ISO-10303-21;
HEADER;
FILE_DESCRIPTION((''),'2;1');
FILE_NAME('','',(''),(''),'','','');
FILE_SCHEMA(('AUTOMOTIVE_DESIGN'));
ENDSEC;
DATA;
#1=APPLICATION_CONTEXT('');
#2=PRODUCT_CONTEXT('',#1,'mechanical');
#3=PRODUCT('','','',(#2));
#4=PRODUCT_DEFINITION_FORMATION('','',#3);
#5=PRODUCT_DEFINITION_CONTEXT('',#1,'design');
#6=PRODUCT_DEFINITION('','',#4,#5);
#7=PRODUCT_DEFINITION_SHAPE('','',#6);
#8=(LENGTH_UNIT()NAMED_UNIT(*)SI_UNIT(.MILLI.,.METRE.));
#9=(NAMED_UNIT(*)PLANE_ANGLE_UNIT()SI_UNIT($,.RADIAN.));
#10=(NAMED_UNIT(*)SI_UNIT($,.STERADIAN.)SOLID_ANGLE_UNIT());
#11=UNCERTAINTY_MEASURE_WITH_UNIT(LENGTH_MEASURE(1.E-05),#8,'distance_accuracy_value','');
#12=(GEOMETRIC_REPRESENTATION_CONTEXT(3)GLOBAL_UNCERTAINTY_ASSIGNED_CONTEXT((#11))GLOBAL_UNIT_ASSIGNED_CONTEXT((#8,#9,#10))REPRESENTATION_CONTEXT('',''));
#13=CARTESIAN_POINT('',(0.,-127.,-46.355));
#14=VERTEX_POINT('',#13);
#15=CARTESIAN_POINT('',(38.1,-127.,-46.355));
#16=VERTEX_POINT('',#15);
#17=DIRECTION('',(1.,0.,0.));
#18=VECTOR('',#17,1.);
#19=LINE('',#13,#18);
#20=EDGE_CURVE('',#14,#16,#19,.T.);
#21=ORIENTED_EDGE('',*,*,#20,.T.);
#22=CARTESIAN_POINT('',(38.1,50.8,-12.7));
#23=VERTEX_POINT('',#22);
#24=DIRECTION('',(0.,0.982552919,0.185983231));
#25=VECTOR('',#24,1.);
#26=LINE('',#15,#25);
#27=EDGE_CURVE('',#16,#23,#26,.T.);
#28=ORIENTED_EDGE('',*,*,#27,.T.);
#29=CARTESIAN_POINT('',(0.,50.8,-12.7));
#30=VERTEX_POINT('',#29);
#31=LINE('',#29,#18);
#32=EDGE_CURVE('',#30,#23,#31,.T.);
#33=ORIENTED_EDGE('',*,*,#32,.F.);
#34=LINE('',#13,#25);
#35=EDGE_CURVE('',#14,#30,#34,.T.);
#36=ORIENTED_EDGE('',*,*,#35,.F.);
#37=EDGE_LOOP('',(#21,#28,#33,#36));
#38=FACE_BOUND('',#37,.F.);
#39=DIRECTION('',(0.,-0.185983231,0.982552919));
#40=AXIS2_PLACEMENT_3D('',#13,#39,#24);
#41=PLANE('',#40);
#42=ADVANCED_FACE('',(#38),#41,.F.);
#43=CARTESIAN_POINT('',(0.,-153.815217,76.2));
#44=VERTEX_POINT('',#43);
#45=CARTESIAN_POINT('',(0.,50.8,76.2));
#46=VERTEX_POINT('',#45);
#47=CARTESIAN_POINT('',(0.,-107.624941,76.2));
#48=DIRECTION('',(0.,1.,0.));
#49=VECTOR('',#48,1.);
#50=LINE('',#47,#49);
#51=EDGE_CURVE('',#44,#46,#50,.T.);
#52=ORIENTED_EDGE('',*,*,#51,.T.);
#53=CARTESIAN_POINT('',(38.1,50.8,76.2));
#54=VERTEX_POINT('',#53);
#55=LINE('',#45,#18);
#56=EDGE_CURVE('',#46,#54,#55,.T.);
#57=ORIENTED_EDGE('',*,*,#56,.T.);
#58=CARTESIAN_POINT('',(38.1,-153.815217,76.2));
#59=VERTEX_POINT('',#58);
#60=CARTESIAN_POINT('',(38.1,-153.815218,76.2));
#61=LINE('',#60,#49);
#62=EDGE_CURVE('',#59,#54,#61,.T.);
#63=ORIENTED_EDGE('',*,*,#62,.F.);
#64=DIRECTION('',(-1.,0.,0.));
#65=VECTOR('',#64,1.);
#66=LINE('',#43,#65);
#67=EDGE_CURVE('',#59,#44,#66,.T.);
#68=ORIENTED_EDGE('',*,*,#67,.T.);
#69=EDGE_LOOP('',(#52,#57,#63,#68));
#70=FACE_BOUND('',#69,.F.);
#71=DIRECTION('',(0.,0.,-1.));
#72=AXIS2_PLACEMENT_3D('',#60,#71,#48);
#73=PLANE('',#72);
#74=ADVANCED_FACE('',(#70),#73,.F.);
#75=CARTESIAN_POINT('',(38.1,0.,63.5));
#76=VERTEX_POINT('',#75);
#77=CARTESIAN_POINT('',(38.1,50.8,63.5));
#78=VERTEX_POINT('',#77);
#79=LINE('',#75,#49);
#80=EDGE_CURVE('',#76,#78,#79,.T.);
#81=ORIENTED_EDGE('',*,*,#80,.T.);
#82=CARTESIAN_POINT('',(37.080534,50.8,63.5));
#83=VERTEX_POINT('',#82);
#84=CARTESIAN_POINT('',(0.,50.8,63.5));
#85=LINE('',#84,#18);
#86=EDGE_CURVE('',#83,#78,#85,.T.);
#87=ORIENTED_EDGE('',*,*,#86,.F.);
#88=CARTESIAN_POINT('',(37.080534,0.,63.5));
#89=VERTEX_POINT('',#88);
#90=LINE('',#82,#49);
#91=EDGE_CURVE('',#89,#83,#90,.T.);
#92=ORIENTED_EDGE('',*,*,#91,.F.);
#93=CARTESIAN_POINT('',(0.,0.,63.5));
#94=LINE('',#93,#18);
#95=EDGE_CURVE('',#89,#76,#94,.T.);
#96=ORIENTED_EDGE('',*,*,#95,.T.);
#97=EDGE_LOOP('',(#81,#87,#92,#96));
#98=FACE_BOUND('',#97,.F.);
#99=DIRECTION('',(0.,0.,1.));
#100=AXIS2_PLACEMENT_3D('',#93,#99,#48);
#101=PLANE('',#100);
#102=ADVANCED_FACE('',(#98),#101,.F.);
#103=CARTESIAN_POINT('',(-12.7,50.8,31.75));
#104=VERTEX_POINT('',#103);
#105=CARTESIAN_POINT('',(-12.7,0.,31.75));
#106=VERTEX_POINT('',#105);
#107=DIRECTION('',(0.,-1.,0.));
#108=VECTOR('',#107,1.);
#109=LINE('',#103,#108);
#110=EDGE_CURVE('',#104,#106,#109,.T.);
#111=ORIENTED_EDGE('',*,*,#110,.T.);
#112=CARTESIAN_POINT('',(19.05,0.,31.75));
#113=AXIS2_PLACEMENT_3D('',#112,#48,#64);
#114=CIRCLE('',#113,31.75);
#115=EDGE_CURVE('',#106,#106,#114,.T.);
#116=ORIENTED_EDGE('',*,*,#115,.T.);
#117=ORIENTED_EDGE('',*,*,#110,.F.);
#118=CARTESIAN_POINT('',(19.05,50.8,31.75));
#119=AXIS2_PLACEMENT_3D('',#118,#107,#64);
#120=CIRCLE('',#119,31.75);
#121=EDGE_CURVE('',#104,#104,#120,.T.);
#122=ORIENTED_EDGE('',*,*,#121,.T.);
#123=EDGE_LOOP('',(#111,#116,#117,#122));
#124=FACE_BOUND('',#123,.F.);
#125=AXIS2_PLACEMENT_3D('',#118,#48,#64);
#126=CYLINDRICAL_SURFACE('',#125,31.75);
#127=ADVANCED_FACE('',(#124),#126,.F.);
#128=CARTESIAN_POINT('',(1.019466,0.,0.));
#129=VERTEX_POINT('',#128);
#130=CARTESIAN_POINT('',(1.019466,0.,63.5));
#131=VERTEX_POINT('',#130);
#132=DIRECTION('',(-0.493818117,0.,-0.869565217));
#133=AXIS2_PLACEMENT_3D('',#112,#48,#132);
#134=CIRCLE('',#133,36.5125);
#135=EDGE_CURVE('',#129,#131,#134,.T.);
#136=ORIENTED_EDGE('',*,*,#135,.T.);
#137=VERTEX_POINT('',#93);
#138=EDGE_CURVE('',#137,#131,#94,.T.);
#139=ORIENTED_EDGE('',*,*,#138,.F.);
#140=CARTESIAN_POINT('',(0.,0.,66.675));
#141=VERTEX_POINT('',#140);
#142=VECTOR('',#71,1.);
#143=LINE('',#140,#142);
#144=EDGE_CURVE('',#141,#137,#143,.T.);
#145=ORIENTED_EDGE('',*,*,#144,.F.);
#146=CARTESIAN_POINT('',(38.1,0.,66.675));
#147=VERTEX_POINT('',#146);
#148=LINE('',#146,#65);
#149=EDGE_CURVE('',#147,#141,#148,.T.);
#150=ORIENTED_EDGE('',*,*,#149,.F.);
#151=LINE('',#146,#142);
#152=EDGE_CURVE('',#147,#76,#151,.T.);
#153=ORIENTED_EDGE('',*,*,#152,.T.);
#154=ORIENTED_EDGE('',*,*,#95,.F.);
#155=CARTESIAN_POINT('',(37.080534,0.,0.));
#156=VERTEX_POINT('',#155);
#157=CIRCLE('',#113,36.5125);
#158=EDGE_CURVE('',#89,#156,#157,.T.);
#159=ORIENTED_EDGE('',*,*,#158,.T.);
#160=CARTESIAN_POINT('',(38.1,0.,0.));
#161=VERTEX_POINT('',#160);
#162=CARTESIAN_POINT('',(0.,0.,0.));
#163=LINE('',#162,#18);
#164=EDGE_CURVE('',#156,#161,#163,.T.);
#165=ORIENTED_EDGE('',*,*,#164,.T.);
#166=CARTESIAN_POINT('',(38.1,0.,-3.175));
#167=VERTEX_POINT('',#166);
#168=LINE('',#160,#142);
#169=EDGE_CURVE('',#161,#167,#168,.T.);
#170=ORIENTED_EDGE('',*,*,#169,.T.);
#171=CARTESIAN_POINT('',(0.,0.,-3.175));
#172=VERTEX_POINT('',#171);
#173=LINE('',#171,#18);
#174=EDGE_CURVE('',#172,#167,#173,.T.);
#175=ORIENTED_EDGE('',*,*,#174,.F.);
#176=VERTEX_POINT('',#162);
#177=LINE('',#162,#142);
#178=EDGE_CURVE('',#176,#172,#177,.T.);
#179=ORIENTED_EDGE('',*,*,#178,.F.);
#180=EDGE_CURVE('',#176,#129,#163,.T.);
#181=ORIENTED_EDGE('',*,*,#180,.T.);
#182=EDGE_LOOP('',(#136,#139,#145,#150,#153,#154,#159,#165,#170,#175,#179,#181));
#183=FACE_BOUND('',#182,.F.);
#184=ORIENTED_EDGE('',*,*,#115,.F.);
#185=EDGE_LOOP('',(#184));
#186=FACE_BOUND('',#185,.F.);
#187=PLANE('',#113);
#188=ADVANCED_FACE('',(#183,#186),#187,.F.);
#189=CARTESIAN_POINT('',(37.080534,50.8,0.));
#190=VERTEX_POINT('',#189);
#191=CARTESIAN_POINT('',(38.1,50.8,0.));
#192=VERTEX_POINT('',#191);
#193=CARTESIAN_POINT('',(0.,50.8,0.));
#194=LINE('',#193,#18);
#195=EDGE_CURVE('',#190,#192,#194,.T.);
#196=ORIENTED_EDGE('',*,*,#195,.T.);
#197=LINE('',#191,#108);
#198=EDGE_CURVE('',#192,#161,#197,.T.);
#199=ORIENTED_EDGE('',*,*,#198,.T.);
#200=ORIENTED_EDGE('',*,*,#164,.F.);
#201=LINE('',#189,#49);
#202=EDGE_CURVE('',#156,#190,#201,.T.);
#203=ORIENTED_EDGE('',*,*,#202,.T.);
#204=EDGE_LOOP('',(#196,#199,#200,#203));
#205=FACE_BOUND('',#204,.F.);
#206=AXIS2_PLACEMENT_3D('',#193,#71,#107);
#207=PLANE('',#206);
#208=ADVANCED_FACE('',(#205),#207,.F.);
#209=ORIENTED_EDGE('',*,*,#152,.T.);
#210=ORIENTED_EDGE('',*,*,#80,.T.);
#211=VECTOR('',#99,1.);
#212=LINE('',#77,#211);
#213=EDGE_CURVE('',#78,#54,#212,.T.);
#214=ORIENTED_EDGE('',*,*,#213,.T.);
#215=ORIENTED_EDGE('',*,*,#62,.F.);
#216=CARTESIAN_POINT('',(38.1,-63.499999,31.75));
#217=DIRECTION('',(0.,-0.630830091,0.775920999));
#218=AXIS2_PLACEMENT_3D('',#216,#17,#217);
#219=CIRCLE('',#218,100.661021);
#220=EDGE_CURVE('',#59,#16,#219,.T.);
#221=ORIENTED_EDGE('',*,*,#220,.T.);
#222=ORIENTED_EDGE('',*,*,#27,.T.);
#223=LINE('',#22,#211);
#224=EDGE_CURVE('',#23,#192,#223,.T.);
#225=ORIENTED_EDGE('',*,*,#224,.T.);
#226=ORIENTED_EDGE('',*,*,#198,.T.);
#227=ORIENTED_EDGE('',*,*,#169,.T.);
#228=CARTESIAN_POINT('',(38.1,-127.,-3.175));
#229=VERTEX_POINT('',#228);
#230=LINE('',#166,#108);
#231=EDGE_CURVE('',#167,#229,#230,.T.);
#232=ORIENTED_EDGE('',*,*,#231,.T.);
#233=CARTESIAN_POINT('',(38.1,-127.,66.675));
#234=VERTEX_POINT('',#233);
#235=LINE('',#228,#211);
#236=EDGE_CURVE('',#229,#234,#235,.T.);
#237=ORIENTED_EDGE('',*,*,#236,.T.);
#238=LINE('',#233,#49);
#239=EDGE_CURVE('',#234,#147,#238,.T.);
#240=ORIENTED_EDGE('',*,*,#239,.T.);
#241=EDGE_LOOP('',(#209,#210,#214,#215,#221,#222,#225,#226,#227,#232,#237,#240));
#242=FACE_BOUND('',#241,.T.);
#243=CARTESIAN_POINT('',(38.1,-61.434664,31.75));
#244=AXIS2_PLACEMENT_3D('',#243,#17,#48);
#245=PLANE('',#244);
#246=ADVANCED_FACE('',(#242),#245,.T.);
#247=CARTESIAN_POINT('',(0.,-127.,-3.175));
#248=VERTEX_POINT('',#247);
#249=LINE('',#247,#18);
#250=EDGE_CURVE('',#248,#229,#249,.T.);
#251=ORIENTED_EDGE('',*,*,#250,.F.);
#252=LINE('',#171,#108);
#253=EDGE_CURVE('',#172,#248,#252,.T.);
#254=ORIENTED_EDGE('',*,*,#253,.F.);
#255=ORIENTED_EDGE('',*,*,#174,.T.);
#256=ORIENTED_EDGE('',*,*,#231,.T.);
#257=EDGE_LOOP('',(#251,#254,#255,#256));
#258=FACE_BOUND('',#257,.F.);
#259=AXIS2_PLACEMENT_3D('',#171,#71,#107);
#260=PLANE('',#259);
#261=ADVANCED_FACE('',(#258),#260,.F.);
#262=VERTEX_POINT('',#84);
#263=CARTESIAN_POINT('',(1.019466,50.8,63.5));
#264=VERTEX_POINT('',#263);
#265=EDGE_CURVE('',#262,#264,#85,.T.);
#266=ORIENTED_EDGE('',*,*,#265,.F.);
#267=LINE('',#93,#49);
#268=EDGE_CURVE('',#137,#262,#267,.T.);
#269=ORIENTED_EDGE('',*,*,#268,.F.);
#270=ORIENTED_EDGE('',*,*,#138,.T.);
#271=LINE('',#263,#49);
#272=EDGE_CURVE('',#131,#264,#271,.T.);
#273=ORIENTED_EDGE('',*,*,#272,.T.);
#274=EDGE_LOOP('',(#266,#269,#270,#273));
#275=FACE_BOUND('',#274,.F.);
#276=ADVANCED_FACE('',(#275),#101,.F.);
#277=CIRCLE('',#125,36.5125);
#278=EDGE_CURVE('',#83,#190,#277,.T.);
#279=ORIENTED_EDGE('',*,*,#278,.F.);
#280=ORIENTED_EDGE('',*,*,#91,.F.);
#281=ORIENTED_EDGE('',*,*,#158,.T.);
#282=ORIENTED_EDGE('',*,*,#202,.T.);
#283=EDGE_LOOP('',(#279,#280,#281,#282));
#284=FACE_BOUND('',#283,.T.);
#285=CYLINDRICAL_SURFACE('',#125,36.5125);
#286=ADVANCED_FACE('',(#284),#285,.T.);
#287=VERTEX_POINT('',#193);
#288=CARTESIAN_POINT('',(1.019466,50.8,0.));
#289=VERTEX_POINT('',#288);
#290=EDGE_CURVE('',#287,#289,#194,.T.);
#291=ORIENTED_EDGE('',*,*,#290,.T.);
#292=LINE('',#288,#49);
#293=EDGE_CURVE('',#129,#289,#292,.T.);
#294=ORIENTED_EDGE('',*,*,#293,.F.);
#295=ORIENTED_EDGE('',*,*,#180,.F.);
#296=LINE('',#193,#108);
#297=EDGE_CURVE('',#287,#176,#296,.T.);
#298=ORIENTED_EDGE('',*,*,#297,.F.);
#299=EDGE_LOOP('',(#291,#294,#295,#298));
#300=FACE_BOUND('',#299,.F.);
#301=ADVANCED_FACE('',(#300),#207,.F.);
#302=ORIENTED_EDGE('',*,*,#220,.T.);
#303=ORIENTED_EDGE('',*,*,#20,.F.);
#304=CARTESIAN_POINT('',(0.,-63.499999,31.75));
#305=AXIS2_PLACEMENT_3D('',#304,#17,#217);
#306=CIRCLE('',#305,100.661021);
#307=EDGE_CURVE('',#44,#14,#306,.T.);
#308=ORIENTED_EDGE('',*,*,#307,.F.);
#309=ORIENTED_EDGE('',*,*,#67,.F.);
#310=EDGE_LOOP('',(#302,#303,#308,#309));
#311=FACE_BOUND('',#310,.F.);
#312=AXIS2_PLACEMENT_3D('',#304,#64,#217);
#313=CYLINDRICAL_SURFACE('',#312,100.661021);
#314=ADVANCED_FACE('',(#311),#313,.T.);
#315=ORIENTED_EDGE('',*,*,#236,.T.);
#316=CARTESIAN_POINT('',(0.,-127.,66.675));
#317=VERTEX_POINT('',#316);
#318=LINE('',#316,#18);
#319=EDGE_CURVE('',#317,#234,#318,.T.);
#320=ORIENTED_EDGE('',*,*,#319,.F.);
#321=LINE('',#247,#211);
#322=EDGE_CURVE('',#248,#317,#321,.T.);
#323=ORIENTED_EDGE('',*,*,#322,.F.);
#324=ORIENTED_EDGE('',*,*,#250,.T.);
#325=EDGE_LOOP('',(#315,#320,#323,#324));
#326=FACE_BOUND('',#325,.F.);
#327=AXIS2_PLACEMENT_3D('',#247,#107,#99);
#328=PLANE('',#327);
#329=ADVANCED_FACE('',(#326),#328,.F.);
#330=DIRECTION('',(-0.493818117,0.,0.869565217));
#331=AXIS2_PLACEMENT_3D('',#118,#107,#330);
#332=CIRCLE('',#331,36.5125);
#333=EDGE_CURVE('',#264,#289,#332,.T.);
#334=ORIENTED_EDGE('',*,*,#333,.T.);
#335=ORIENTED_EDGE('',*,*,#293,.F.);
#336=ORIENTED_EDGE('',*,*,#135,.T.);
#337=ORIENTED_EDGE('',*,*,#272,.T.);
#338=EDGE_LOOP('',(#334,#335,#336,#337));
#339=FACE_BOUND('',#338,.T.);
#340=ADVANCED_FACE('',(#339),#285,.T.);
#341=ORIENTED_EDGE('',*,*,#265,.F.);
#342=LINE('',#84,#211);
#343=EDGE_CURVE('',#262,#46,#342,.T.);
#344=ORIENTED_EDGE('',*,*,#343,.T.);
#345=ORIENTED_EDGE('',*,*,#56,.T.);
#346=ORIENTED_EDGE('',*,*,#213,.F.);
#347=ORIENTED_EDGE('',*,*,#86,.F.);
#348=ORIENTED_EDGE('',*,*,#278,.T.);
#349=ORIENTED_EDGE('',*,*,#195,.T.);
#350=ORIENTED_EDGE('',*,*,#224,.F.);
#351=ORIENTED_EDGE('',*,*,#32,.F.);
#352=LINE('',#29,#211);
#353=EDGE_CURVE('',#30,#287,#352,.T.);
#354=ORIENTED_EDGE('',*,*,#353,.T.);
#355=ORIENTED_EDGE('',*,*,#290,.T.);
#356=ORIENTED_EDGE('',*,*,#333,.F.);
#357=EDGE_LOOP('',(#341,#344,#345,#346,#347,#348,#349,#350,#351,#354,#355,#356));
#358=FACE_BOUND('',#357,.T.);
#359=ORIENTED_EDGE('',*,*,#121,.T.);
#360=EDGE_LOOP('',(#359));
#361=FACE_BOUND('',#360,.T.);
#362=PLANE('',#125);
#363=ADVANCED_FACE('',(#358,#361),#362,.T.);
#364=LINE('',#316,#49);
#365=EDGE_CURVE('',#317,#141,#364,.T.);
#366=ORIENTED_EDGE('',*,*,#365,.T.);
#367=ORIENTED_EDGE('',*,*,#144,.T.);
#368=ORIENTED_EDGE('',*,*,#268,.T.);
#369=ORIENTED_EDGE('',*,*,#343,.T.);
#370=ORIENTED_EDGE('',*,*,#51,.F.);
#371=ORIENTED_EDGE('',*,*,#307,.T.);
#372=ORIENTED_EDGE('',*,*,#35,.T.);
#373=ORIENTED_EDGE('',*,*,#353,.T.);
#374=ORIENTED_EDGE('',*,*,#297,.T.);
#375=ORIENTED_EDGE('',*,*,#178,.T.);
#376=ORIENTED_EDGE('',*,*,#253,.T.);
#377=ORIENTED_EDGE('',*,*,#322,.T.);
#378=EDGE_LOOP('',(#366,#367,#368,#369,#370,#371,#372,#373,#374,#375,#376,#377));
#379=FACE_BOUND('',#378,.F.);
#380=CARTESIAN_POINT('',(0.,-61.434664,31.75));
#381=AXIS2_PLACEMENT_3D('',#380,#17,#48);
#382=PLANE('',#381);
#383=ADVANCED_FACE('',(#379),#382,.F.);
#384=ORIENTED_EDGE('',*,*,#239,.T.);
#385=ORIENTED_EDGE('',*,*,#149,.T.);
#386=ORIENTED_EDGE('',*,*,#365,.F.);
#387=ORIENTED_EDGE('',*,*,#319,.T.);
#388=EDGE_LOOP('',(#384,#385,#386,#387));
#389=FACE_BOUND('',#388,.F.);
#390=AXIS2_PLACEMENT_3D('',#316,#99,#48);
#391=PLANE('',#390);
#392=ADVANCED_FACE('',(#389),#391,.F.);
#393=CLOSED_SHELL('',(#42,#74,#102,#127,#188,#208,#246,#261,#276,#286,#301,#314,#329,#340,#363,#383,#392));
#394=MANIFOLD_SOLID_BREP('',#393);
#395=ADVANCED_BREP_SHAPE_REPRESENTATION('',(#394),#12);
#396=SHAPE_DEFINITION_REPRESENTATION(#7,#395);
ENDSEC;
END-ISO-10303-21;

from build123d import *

# Parameters (mm, degrees)
F1_DEPTH = 38.1
F2_R     = 36.5125
F2_R_2   = 31.75
F3_DEPTH = 50.8
F5_DEPTH = 127


with BuildPart() as f1:
    # F0 (on Right) → F1 (new body)
    with BuildSketch(Plane.YZ):
        with BuildLine():
            Line((50.8, 0), (0, 0))
            Line((0, 0), (0, -3.175))
            Line((0, -3.175), (-127, -3.175))
            Line((-127, -3.175), (-127, 66.675))
            Line((-127, 66.675), (0, 66.675))
            Line((0, 66.675), (0, 63.5))
            Line((0, 63.5), (50.8, 63.5))
            Line((50.8, 63.5), (50.8, 76.2))
            Line((50.8, 76.2), (-127, 109.855))
            ThreePointArc((-127, 109.855), (-164.16102, 31.75), (-127, -46.355))
            Line((-127, -46.355), (50.8, -12.7))
            Line((50.8, -12.7), (50.8, 0))
        make_face()
    extrude(amount=F1_DEPTH)

    # F2 (on face) → F3 (join)
    with BuildSketch(Plane(origin=(0, 50.8, 0), x_dir=(-1, 0, 0), z_dir=(0, 1, 0))):
        with Locations((-19.05, 31.75)):
            Circle(F2_R)
        with Locations((-19.05, 31.75)):
            Circle(F2_R_2, mode=Mode.SUBTRACT)
    extrude(amount=-F3_DEPTH)

    # F4 (on face) → F5 (cut)
    with BuildSketch(Plane.YZ.offset(38.1)):
        with BuildLine():
            Line((-153.815218, 76.2), (50.8, 76.2))
            Line((50.8, 76.2), (-127, 109.855))
            ThreePointArc((-127, 109.855), (-142.227029, 94.477155), (-153.815218, 76.2))
        make_face()
    extrude(amount=-F5_DEPTH, mode=Mode.SUBTRACT)


solid = f1.part
